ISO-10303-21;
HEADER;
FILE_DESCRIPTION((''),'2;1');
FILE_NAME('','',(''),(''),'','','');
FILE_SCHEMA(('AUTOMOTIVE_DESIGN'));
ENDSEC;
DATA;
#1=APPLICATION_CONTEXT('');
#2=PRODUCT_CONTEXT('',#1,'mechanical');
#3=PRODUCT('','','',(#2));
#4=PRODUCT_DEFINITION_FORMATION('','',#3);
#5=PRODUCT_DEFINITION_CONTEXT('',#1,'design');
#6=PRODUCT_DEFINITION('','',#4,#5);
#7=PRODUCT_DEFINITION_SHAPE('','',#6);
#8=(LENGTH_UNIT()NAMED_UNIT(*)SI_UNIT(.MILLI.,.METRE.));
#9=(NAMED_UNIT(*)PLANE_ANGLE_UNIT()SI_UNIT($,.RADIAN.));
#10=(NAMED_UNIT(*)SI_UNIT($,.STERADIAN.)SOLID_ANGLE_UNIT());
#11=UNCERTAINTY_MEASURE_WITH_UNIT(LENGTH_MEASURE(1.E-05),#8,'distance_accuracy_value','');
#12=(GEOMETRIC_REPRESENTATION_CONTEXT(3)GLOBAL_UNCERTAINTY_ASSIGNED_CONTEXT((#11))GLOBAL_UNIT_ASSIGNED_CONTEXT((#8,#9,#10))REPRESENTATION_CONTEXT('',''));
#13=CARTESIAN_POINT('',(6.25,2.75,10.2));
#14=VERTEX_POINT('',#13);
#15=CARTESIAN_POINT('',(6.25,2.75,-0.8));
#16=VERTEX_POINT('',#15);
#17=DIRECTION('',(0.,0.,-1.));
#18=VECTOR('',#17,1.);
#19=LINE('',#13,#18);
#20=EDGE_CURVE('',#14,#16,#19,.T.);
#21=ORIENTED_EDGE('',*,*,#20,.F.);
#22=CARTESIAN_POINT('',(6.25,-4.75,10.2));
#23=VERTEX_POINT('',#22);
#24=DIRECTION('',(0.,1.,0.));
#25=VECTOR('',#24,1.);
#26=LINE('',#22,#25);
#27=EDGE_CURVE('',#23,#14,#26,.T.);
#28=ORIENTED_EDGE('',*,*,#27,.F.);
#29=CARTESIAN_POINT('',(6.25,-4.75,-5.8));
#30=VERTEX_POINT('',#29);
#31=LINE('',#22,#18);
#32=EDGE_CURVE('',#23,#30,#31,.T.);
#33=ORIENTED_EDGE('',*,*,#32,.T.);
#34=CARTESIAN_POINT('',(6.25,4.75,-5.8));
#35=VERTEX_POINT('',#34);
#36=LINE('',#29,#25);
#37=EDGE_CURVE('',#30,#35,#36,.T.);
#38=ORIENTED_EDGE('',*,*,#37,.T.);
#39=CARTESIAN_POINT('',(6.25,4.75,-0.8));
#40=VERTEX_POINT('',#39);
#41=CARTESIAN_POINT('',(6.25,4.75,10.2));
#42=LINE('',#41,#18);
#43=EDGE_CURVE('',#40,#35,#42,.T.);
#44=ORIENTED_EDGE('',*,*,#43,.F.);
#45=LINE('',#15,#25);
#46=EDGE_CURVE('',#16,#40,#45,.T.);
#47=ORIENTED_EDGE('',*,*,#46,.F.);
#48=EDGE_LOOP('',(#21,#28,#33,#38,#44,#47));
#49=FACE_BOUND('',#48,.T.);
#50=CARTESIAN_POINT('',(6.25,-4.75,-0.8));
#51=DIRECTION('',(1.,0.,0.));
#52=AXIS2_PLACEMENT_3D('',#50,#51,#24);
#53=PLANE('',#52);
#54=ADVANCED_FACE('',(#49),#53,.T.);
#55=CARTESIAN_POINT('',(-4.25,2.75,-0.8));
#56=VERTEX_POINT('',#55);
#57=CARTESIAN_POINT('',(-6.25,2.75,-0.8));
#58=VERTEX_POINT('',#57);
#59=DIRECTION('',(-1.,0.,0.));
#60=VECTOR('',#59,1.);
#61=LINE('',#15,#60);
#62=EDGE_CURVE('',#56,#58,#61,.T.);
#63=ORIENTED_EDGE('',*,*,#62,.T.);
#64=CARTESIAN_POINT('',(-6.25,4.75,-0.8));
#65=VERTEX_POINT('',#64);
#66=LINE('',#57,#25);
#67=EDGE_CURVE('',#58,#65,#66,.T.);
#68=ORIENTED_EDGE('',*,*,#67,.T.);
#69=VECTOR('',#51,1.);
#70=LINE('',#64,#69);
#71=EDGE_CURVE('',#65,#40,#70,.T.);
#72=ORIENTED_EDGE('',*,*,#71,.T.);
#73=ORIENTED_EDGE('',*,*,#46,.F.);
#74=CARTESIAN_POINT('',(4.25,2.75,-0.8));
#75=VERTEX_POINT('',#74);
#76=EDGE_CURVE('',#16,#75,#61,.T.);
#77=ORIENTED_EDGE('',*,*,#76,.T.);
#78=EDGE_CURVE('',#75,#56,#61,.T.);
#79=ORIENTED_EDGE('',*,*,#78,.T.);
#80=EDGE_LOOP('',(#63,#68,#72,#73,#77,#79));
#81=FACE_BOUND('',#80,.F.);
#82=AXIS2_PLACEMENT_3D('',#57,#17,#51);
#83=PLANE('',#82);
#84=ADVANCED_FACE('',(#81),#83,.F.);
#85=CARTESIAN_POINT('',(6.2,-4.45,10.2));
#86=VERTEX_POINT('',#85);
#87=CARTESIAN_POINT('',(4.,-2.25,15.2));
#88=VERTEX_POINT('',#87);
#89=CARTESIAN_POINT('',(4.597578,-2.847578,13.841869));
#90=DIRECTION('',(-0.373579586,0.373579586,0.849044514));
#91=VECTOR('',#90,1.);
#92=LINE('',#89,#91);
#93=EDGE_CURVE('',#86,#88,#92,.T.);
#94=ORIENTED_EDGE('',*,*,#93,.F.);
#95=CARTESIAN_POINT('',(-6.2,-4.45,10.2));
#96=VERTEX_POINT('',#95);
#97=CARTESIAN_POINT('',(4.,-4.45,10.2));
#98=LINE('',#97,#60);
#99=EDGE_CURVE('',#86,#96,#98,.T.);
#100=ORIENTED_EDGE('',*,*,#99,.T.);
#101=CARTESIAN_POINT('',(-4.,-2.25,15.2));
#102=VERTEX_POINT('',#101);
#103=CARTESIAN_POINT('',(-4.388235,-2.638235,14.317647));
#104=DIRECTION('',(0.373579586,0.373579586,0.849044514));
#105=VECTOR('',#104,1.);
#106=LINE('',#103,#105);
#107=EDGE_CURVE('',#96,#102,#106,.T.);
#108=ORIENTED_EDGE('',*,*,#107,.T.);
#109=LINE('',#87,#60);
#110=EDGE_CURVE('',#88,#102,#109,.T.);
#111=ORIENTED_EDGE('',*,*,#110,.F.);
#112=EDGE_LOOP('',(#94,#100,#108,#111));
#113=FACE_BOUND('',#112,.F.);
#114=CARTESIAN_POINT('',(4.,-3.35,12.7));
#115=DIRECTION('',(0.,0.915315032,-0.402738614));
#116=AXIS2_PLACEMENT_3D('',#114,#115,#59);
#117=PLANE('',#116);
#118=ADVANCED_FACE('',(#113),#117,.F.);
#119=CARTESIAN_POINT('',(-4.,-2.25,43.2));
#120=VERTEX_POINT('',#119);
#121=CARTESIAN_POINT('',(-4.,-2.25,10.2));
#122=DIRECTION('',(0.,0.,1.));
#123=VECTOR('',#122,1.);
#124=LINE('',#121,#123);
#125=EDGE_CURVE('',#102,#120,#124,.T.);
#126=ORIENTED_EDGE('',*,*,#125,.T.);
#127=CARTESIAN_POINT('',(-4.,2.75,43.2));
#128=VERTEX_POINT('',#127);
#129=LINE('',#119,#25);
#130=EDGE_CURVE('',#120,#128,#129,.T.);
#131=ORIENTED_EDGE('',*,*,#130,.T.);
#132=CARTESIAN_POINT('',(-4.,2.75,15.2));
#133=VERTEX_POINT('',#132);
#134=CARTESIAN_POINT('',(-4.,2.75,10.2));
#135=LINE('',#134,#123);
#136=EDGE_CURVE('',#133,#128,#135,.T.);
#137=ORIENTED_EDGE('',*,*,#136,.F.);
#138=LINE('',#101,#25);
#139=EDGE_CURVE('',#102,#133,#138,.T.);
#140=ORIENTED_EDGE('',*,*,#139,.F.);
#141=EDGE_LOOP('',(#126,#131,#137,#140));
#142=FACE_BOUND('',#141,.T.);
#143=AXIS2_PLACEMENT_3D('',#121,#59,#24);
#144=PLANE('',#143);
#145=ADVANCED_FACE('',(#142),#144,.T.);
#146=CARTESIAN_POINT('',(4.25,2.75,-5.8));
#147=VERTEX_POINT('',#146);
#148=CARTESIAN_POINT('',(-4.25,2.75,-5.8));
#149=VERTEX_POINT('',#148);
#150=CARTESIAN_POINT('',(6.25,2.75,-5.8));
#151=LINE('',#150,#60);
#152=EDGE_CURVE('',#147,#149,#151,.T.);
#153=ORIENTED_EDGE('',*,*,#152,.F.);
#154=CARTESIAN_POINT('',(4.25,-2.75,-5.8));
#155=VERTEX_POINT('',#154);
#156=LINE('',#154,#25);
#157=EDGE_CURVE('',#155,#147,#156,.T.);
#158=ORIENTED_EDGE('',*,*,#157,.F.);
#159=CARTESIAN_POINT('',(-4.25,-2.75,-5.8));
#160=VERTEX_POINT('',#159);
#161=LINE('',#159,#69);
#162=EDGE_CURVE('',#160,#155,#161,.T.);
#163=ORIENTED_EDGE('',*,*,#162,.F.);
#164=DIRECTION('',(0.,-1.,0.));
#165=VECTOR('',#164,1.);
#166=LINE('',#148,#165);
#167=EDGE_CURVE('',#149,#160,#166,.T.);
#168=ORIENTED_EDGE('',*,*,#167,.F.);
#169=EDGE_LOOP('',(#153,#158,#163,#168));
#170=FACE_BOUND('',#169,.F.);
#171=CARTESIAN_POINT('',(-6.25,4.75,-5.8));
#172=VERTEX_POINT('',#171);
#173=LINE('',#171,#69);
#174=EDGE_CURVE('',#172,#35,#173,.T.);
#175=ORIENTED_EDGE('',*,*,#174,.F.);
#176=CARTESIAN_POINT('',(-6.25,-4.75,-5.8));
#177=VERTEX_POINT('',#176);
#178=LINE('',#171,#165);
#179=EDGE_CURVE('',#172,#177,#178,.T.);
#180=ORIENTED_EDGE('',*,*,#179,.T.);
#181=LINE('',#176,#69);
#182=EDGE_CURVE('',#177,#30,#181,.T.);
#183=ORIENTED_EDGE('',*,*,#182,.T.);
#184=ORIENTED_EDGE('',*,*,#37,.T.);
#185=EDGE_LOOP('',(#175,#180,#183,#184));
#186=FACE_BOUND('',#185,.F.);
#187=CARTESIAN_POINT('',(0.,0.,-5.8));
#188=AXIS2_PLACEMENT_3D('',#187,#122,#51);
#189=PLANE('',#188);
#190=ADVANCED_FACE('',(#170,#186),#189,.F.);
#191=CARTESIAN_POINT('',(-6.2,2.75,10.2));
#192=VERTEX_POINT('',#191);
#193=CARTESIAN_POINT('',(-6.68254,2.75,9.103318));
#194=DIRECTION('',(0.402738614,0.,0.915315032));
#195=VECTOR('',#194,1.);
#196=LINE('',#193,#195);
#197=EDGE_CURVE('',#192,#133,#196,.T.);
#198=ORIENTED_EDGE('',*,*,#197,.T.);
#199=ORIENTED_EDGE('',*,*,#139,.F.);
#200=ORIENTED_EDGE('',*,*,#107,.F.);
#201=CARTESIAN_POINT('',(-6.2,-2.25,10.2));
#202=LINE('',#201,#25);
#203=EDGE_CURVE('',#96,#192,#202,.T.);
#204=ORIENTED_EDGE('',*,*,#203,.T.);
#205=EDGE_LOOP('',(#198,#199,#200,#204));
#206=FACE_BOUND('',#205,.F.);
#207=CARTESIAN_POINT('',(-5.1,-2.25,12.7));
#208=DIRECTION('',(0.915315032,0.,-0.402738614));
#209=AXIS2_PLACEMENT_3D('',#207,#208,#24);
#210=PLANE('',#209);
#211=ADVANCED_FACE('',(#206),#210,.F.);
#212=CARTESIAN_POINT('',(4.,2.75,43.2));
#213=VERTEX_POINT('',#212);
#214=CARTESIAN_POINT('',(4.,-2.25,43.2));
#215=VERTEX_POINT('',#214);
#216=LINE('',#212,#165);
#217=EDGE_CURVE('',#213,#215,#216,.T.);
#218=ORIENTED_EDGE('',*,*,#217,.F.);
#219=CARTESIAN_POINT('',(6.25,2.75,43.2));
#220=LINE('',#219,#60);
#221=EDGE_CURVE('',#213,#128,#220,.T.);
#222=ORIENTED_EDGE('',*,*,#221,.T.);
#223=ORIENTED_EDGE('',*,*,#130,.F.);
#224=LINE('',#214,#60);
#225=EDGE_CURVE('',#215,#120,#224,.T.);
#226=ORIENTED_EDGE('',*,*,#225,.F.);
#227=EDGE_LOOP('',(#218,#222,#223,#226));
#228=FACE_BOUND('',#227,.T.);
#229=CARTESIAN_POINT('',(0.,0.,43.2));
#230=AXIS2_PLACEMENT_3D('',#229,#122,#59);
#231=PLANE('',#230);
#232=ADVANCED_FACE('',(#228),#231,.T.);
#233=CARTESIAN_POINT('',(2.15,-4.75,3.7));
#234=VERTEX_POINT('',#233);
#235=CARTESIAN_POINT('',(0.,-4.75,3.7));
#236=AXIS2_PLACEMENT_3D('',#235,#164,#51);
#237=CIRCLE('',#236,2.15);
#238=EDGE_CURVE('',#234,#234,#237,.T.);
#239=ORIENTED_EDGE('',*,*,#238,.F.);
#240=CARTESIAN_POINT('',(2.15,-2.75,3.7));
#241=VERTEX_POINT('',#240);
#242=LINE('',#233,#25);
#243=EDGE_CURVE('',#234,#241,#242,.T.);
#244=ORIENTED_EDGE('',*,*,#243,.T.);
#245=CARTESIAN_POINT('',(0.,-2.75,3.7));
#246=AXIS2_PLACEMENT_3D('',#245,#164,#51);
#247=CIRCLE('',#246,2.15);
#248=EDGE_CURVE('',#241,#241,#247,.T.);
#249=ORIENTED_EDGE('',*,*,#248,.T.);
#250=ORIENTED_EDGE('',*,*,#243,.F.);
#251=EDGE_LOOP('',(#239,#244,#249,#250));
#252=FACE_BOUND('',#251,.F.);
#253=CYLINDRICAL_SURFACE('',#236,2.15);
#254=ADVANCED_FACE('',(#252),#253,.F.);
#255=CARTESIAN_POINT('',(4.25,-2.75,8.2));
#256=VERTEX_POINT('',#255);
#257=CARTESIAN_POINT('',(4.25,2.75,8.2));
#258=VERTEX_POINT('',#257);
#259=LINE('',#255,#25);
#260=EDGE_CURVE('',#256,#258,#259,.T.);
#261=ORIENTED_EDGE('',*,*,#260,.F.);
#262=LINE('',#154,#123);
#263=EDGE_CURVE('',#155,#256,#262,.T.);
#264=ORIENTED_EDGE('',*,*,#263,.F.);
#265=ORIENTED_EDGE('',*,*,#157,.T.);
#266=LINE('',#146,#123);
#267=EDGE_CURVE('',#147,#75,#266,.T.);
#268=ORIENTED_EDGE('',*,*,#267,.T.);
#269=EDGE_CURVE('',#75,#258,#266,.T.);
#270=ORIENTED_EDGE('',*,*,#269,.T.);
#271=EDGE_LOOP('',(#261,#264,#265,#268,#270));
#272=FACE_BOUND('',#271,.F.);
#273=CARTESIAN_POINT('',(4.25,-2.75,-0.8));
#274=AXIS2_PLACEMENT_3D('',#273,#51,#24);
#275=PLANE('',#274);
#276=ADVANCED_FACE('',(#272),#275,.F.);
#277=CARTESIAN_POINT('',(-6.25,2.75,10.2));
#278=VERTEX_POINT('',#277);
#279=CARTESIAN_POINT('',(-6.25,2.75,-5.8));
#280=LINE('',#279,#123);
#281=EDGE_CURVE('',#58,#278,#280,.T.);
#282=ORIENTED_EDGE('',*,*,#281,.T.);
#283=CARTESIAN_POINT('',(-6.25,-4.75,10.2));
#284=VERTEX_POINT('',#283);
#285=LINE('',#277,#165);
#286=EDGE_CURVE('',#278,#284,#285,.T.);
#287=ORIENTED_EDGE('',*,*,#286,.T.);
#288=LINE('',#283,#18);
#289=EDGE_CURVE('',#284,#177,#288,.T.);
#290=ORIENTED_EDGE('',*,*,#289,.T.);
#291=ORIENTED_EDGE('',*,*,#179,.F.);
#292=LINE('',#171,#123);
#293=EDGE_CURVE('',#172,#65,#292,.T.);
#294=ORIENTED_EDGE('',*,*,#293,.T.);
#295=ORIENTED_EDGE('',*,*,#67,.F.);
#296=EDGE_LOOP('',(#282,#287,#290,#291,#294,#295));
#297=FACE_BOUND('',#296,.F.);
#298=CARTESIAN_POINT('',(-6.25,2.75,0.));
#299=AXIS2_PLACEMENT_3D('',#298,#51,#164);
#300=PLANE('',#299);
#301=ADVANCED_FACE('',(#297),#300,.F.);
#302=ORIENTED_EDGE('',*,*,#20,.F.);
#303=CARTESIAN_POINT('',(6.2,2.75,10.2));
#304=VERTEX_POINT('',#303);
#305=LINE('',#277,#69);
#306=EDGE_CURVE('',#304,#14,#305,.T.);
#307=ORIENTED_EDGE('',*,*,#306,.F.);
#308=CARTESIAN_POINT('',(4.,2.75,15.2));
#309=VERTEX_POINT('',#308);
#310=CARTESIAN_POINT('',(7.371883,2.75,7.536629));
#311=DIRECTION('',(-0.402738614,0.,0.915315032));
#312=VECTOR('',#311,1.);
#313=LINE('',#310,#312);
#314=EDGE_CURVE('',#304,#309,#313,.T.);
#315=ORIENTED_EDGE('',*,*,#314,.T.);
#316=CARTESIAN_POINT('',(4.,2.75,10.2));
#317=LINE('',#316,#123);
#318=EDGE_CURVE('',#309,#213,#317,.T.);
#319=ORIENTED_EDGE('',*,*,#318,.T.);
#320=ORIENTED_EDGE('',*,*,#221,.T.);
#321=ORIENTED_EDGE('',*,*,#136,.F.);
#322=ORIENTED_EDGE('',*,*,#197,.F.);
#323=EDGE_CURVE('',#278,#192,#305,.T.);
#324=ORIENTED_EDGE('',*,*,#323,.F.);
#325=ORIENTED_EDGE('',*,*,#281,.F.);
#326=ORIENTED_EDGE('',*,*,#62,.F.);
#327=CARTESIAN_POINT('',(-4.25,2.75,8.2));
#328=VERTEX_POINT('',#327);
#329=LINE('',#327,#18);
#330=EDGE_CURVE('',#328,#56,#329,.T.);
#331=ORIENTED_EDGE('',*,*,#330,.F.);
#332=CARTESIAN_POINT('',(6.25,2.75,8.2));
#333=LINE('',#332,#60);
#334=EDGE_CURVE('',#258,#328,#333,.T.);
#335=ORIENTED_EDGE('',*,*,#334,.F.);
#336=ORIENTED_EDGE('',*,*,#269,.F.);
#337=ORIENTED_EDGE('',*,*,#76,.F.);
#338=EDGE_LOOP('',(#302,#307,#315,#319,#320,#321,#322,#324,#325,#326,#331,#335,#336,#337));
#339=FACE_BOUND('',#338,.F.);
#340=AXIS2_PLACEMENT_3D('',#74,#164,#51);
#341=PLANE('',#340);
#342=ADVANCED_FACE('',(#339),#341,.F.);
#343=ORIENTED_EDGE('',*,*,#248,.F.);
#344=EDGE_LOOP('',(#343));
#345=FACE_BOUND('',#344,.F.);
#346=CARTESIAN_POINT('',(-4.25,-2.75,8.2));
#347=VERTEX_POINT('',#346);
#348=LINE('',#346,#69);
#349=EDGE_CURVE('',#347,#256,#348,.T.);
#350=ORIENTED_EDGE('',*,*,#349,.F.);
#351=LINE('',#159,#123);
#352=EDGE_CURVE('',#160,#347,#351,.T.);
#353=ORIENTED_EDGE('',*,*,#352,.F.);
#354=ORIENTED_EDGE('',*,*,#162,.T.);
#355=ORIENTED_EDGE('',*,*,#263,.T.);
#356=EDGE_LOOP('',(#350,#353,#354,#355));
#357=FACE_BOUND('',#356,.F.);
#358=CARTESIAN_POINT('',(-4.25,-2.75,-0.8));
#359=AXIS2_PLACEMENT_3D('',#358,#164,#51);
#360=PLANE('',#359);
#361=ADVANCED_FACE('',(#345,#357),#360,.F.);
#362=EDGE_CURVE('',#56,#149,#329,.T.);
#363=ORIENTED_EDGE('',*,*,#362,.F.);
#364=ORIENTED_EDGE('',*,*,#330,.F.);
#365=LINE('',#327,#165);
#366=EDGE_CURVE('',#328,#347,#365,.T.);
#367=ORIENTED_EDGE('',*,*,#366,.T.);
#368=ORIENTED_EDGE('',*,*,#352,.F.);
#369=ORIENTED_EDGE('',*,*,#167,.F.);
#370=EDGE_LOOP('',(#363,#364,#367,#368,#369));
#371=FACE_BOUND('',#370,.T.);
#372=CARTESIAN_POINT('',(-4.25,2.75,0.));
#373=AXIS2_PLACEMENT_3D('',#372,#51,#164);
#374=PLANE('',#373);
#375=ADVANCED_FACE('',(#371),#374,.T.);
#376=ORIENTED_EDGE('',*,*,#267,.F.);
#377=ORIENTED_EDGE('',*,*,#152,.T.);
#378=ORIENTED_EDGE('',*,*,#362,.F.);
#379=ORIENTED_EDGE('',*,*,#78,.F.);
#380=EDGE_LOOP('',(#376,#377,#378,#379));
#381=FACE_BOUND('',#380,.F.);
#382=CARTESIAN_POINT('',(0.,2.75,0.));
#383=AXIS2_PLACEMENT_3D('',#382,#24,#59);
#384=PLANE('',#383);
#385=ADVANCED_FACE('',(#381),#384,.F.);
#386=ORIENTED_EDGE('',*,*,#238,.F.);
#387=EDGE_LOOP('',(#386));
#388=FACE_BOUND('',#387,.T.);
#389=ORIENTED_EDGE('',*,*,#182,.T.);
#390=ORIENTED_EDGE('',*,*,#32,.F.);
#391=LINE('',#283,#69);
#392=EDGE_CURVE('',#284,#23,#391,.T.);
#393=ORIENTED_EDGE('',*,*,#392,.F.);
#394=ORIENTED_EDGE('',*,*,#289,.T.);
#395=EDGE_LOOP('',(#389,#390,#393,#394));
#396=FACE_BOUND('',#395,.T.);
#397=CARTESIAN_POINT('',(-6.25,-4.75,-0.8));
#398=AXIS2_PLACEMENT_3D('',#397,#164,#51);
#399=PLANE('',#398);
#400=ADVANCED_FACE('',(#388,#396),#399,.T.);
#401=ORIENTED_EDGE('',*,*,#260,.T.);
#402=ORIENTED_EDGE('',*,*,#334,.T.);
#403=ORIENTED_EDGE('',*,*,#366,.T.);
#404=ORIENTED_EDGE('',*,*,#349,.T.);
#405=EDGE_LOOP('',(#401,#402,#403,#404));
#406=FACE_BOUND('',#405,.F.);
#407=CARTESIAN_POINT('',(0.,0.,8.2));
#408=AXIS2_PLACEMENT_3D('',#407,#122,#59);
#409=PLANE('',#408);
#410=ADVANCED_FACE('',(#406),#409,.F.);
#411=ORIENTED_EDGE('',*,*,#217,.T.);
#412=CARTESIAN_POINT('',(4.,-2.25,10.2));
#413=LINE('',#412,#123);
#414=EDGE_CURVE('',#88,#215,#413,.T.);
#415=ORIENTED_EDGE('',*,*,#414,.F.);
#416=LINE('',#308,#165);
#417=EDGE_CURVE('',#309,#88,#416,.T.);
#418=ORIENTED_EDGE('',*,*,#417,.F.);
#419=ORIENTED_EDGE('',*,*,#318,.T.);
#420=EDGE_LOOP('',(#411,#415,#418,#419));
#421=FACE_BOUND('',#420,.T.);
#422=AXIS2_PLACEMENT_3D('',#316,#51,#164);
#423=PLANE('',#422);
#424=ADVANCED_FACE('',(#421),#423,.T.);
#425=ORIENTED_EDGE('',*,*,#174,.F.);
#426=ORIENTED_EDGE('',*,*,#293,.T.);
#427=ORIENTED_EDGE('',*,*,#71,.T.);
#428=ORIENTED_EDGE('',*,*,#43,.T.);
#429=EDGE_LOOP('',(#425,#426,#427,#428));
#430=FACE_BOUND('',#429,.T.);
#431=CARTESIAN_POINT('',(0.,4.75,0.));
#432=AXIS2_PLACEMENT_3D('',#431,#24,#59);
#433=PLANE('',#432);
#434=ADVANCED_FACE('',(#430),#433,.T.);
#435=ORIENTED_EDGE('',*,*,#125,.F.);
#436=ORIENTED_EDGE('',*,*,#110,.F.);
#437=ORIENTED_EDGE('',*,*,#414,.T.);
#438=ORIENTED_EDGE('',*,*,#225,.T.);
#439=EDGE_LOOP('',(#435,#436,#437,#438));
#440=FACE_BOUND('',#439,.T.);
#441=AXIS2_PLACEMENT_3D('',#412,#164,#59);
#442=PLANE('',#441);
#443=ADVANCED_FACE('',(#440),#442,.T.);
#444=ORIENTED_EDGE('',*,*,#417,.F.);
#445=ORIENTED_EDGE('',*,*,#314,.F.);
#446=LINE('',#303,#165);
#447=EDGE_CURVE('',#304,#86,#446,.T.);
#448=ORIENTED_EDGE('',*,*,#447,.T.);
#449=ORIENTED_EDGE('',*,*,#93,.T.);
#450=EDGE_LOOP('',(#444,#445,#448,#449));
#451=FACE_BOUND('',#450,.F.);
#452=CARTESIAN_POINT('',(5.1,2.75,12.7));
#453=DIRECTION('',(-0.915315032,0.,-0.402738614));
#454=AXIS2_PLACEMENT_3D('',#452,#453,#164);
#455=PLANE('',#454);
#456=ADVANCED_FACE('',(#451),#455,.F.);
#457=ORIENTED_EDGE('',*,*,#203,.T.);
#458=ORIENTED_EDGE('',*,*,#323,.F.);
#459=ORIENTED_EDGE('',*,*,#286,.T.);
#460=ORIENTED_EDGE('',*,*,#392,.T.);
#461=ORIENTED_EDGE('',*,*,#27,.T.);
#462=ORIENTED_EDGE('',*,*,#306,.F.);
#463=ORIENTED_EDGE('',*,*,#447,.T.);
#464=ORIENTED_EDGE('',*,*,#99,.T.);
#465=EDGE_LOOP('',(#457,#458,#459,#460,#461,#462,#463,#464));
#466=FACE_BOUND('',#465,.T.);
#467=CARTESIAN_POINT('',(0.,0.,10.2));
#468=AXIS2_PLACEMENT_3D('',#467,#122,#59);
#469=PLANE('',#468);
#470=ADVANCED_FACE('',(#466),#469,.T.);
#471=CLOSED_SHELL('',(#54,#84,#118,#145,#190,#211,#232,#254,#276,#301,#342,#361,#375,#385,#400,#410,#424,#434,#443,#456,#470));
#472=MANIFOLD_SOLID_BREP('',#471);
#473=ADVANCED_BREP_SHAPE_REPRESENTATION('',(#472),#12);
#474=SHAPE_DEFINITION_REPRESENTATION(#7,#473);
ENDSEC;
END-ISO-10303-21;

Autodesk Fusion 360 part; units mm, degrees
sketch "Sketch1" plane through (0, 0, 0) normal (0, 0, 1) x (1, 0, 0)
  line L0 (4.25, 2.75) -> (-4.25, 2.75)
  line L1 (-4.25, 2.75) -> (-4.25, -2.75)
  line L2 (-4.25, -2.75) -> (4.25, -2.75)
  line L3 (4.25, -2.75) -> (4.25, 2.75)
  line L4 (4.25, 2.75) -> (-4.25, -2.75) construction
  line L5 (-4.25, 2.75) -> (4.25, -2.75) construction
  line L6 (-6.25, -4.75) -> (6.25, -4.75)
  line L7 (6.25, -4.75) -> (6.25, 4.75)
  line L8 (6.25, 4.75) -> (-6.25, 4.75)
  line L9 (-6.25, 4.75) -> (-6.25, -4.75)
  line L10 (-4.25, 2.75) -> (-6.25, 2.75)
  line L11 (4.25, 2.75) -> (6.25, 2.75)
  dimension "d1" = 8.5
  dimension "d2" = 5.5
  dimension "d3" = 2
extrude "Extrude1" add sketch "Sketch1" along normal blind 8.2 contours L1 L2 L3 L6 L7 L9 L10 L11
sketch "Sketch2" plane through (0, 0, 8.2) normal (0, 0, 1) x (-1, 0, 0)
  line L0 (4.25, -2.75) -> (6.25, -2.75)
  line L1 (6.25, -2.75) -> (6.25, 4.75)
  line L2 (6.25, 4.75) -> (-6.25, 4.75)
  line L3 (-6.25, 4.75) -> (-6.25, -2.75)
  line L4 (-6.25, -2.75) -> (-4.25, -2.75)
  line L5 (-4.25, -2.75) -> (-4.25, 2.75)
  line L6 (-4.25, 2.75) -> (4.25, 2.75)
  line L7 (4.25, 2.75) -> (4.25, -2.75)
  line L8 (6.25, -2.75) -> (-6.25, -2.75)
  line L9 (-6.25, -2.75) -> (-6.25, 4.75)
  line L10 (-6.25, 4.75) -> (6.25, 4.75)
  line L11 (6.25, 4.75) -> (6.25, -2.75)
extrude "Extrude2" add sketch "Sketch2" along normal blind 2
sketch "Sketch4" plane through (0, 0, 10.2) normal (0, 0, 1) x (-1, 0, 0)
  line L0 (6.25, 4.75) -> (-6.25, 4.75)
  line L1 (-6.25, 4.75) -> (-6.25, -2.75)
  line L2 (-6.25, -2.75) -> (6.25, -2.75)
  line L3 (6.25, -2.75) -> (6.25, 4.75)
  line L4 (4, -2.75) -> (-4, -2.75)
  line L5 (-4, -2.75) -> (-4, 2.25)
  line L6 (-4, 2.25) -> (4, 2.25)
  line L7 (4, 2.25) -> (4, -2.75)
  line L8 (0, -2.75) -> (0, 4.75) construction
  dimension "d8" = 8
  dimension "d9" = 5
  dimension "d10" = 4
extrude "Extrude3" add sketch "Sketch4" along normal blind 43 contours L2 L4 L5 L6 L7
sketch "Sketch5" plane through (0, -4.75, 0) normal (0, -1, 0) x (1, 0, 0)
  line L0 (-6.25, 0) -> (6.25, 0)
  line L1 (6.25, 0) -> (6.25, 10.2)
  line L2 (6.25, 10.2) -> (-6.25, 10.2)
  line L3 (-6.25, 10.2) -> (-6.25, 0)
  circle A0 centre (0, 3.7) radius 2.15
  line L4 (-4.25, 8.2) -> (4.25, 8.2)
  dimension "d13" = 4.3
  dimension "d18" = 4.5
extrude "Extrude4" cut sketch "Sketch5" against normal blind 2 contours A0
chamfer "Chamfer1" distance 2.2 distance2 5 3 edges at (0, -2.25, 10.2) (4, 0.25, 10.2) (-4, 0.25, 10.2) measured on face at (-1.3333, -3.9167, 10.2) measured on face at (-1.3333, -3.9167, 10.2) measured on face at (-1.3333, -3.9167, 10.2)
extrude "Extrude5" add 1 faces at (-1.4167, -4.0833, 0) along direction (0, 0, -1) blind 0.8
extrude "Extrude6" add 1 faces at (-1.4167, -4.0833, -0.8) along direction (0, 0, -1) blind 5
sketch "Sketch6" plane through (0, 2.75, 0) normal (0, 1, 0) x (-1, 0, 0)
  line L0 (6.25, -5.8) -> (6.25, 10.2)
  line L1 (6.25, 10.2) -> (6.2, 10.2)
  line L2 (6.2, 10.2) -> (4, 15.2)
  line L3 (4, 15.2) -> (4, 53.2)
  line L4 (4, 53.2) -> (-4, 53.2)
  line L5 (-4, 53.2) -> (-4, 15.2)
  line L6 (-4, 15.2) -> (-6.2, 10.2)
  line L7 (-6.2, 10.2) -> (-6.25, 10.2)
  line L8 (-6.25, 10.2) -> (-6.25, -5.8)
  line L9 (-6.25, -5.8) -> (-4.25, -5.8)
  line L10 (-4.25, -5.8) -> (-4.25, 8.2)
  line L11 (-4.25, 8.2) -> (4.25, 8.2)
  line L12 (4.25, 8.2) -> (4.25, -5.8)
  line L13 (4.25, -5.8) -> (6.25, -5.8)
  line L14 (-6.25, -5.8) -> (6.25, -5.8)
  line L15 (6.25, -5.8) -> (6.25, -0.8)
  line L16 (6.25, -0.8) -> (-6.25, -0.8)
  line L17 (-6.25, -0.8) -> (-6.25, -5.8)
  dimension "d23" = 5
  dimension "d28" = 12.5
extrude "Extrude7" add sketch "Sketch6" along normal blind 2 contours L0 L12 L13 L14 L15 L16 | L10 L12 L14 L16 | L8 L9 L10 L14 L16 L17
extrude "Extrude8" cut 1 faces at (1.3333, 1.0833, 53.2) along direction (0, 0, -1) blind 10
equation "d18 = 2.35 mm + 2.15 mm"
